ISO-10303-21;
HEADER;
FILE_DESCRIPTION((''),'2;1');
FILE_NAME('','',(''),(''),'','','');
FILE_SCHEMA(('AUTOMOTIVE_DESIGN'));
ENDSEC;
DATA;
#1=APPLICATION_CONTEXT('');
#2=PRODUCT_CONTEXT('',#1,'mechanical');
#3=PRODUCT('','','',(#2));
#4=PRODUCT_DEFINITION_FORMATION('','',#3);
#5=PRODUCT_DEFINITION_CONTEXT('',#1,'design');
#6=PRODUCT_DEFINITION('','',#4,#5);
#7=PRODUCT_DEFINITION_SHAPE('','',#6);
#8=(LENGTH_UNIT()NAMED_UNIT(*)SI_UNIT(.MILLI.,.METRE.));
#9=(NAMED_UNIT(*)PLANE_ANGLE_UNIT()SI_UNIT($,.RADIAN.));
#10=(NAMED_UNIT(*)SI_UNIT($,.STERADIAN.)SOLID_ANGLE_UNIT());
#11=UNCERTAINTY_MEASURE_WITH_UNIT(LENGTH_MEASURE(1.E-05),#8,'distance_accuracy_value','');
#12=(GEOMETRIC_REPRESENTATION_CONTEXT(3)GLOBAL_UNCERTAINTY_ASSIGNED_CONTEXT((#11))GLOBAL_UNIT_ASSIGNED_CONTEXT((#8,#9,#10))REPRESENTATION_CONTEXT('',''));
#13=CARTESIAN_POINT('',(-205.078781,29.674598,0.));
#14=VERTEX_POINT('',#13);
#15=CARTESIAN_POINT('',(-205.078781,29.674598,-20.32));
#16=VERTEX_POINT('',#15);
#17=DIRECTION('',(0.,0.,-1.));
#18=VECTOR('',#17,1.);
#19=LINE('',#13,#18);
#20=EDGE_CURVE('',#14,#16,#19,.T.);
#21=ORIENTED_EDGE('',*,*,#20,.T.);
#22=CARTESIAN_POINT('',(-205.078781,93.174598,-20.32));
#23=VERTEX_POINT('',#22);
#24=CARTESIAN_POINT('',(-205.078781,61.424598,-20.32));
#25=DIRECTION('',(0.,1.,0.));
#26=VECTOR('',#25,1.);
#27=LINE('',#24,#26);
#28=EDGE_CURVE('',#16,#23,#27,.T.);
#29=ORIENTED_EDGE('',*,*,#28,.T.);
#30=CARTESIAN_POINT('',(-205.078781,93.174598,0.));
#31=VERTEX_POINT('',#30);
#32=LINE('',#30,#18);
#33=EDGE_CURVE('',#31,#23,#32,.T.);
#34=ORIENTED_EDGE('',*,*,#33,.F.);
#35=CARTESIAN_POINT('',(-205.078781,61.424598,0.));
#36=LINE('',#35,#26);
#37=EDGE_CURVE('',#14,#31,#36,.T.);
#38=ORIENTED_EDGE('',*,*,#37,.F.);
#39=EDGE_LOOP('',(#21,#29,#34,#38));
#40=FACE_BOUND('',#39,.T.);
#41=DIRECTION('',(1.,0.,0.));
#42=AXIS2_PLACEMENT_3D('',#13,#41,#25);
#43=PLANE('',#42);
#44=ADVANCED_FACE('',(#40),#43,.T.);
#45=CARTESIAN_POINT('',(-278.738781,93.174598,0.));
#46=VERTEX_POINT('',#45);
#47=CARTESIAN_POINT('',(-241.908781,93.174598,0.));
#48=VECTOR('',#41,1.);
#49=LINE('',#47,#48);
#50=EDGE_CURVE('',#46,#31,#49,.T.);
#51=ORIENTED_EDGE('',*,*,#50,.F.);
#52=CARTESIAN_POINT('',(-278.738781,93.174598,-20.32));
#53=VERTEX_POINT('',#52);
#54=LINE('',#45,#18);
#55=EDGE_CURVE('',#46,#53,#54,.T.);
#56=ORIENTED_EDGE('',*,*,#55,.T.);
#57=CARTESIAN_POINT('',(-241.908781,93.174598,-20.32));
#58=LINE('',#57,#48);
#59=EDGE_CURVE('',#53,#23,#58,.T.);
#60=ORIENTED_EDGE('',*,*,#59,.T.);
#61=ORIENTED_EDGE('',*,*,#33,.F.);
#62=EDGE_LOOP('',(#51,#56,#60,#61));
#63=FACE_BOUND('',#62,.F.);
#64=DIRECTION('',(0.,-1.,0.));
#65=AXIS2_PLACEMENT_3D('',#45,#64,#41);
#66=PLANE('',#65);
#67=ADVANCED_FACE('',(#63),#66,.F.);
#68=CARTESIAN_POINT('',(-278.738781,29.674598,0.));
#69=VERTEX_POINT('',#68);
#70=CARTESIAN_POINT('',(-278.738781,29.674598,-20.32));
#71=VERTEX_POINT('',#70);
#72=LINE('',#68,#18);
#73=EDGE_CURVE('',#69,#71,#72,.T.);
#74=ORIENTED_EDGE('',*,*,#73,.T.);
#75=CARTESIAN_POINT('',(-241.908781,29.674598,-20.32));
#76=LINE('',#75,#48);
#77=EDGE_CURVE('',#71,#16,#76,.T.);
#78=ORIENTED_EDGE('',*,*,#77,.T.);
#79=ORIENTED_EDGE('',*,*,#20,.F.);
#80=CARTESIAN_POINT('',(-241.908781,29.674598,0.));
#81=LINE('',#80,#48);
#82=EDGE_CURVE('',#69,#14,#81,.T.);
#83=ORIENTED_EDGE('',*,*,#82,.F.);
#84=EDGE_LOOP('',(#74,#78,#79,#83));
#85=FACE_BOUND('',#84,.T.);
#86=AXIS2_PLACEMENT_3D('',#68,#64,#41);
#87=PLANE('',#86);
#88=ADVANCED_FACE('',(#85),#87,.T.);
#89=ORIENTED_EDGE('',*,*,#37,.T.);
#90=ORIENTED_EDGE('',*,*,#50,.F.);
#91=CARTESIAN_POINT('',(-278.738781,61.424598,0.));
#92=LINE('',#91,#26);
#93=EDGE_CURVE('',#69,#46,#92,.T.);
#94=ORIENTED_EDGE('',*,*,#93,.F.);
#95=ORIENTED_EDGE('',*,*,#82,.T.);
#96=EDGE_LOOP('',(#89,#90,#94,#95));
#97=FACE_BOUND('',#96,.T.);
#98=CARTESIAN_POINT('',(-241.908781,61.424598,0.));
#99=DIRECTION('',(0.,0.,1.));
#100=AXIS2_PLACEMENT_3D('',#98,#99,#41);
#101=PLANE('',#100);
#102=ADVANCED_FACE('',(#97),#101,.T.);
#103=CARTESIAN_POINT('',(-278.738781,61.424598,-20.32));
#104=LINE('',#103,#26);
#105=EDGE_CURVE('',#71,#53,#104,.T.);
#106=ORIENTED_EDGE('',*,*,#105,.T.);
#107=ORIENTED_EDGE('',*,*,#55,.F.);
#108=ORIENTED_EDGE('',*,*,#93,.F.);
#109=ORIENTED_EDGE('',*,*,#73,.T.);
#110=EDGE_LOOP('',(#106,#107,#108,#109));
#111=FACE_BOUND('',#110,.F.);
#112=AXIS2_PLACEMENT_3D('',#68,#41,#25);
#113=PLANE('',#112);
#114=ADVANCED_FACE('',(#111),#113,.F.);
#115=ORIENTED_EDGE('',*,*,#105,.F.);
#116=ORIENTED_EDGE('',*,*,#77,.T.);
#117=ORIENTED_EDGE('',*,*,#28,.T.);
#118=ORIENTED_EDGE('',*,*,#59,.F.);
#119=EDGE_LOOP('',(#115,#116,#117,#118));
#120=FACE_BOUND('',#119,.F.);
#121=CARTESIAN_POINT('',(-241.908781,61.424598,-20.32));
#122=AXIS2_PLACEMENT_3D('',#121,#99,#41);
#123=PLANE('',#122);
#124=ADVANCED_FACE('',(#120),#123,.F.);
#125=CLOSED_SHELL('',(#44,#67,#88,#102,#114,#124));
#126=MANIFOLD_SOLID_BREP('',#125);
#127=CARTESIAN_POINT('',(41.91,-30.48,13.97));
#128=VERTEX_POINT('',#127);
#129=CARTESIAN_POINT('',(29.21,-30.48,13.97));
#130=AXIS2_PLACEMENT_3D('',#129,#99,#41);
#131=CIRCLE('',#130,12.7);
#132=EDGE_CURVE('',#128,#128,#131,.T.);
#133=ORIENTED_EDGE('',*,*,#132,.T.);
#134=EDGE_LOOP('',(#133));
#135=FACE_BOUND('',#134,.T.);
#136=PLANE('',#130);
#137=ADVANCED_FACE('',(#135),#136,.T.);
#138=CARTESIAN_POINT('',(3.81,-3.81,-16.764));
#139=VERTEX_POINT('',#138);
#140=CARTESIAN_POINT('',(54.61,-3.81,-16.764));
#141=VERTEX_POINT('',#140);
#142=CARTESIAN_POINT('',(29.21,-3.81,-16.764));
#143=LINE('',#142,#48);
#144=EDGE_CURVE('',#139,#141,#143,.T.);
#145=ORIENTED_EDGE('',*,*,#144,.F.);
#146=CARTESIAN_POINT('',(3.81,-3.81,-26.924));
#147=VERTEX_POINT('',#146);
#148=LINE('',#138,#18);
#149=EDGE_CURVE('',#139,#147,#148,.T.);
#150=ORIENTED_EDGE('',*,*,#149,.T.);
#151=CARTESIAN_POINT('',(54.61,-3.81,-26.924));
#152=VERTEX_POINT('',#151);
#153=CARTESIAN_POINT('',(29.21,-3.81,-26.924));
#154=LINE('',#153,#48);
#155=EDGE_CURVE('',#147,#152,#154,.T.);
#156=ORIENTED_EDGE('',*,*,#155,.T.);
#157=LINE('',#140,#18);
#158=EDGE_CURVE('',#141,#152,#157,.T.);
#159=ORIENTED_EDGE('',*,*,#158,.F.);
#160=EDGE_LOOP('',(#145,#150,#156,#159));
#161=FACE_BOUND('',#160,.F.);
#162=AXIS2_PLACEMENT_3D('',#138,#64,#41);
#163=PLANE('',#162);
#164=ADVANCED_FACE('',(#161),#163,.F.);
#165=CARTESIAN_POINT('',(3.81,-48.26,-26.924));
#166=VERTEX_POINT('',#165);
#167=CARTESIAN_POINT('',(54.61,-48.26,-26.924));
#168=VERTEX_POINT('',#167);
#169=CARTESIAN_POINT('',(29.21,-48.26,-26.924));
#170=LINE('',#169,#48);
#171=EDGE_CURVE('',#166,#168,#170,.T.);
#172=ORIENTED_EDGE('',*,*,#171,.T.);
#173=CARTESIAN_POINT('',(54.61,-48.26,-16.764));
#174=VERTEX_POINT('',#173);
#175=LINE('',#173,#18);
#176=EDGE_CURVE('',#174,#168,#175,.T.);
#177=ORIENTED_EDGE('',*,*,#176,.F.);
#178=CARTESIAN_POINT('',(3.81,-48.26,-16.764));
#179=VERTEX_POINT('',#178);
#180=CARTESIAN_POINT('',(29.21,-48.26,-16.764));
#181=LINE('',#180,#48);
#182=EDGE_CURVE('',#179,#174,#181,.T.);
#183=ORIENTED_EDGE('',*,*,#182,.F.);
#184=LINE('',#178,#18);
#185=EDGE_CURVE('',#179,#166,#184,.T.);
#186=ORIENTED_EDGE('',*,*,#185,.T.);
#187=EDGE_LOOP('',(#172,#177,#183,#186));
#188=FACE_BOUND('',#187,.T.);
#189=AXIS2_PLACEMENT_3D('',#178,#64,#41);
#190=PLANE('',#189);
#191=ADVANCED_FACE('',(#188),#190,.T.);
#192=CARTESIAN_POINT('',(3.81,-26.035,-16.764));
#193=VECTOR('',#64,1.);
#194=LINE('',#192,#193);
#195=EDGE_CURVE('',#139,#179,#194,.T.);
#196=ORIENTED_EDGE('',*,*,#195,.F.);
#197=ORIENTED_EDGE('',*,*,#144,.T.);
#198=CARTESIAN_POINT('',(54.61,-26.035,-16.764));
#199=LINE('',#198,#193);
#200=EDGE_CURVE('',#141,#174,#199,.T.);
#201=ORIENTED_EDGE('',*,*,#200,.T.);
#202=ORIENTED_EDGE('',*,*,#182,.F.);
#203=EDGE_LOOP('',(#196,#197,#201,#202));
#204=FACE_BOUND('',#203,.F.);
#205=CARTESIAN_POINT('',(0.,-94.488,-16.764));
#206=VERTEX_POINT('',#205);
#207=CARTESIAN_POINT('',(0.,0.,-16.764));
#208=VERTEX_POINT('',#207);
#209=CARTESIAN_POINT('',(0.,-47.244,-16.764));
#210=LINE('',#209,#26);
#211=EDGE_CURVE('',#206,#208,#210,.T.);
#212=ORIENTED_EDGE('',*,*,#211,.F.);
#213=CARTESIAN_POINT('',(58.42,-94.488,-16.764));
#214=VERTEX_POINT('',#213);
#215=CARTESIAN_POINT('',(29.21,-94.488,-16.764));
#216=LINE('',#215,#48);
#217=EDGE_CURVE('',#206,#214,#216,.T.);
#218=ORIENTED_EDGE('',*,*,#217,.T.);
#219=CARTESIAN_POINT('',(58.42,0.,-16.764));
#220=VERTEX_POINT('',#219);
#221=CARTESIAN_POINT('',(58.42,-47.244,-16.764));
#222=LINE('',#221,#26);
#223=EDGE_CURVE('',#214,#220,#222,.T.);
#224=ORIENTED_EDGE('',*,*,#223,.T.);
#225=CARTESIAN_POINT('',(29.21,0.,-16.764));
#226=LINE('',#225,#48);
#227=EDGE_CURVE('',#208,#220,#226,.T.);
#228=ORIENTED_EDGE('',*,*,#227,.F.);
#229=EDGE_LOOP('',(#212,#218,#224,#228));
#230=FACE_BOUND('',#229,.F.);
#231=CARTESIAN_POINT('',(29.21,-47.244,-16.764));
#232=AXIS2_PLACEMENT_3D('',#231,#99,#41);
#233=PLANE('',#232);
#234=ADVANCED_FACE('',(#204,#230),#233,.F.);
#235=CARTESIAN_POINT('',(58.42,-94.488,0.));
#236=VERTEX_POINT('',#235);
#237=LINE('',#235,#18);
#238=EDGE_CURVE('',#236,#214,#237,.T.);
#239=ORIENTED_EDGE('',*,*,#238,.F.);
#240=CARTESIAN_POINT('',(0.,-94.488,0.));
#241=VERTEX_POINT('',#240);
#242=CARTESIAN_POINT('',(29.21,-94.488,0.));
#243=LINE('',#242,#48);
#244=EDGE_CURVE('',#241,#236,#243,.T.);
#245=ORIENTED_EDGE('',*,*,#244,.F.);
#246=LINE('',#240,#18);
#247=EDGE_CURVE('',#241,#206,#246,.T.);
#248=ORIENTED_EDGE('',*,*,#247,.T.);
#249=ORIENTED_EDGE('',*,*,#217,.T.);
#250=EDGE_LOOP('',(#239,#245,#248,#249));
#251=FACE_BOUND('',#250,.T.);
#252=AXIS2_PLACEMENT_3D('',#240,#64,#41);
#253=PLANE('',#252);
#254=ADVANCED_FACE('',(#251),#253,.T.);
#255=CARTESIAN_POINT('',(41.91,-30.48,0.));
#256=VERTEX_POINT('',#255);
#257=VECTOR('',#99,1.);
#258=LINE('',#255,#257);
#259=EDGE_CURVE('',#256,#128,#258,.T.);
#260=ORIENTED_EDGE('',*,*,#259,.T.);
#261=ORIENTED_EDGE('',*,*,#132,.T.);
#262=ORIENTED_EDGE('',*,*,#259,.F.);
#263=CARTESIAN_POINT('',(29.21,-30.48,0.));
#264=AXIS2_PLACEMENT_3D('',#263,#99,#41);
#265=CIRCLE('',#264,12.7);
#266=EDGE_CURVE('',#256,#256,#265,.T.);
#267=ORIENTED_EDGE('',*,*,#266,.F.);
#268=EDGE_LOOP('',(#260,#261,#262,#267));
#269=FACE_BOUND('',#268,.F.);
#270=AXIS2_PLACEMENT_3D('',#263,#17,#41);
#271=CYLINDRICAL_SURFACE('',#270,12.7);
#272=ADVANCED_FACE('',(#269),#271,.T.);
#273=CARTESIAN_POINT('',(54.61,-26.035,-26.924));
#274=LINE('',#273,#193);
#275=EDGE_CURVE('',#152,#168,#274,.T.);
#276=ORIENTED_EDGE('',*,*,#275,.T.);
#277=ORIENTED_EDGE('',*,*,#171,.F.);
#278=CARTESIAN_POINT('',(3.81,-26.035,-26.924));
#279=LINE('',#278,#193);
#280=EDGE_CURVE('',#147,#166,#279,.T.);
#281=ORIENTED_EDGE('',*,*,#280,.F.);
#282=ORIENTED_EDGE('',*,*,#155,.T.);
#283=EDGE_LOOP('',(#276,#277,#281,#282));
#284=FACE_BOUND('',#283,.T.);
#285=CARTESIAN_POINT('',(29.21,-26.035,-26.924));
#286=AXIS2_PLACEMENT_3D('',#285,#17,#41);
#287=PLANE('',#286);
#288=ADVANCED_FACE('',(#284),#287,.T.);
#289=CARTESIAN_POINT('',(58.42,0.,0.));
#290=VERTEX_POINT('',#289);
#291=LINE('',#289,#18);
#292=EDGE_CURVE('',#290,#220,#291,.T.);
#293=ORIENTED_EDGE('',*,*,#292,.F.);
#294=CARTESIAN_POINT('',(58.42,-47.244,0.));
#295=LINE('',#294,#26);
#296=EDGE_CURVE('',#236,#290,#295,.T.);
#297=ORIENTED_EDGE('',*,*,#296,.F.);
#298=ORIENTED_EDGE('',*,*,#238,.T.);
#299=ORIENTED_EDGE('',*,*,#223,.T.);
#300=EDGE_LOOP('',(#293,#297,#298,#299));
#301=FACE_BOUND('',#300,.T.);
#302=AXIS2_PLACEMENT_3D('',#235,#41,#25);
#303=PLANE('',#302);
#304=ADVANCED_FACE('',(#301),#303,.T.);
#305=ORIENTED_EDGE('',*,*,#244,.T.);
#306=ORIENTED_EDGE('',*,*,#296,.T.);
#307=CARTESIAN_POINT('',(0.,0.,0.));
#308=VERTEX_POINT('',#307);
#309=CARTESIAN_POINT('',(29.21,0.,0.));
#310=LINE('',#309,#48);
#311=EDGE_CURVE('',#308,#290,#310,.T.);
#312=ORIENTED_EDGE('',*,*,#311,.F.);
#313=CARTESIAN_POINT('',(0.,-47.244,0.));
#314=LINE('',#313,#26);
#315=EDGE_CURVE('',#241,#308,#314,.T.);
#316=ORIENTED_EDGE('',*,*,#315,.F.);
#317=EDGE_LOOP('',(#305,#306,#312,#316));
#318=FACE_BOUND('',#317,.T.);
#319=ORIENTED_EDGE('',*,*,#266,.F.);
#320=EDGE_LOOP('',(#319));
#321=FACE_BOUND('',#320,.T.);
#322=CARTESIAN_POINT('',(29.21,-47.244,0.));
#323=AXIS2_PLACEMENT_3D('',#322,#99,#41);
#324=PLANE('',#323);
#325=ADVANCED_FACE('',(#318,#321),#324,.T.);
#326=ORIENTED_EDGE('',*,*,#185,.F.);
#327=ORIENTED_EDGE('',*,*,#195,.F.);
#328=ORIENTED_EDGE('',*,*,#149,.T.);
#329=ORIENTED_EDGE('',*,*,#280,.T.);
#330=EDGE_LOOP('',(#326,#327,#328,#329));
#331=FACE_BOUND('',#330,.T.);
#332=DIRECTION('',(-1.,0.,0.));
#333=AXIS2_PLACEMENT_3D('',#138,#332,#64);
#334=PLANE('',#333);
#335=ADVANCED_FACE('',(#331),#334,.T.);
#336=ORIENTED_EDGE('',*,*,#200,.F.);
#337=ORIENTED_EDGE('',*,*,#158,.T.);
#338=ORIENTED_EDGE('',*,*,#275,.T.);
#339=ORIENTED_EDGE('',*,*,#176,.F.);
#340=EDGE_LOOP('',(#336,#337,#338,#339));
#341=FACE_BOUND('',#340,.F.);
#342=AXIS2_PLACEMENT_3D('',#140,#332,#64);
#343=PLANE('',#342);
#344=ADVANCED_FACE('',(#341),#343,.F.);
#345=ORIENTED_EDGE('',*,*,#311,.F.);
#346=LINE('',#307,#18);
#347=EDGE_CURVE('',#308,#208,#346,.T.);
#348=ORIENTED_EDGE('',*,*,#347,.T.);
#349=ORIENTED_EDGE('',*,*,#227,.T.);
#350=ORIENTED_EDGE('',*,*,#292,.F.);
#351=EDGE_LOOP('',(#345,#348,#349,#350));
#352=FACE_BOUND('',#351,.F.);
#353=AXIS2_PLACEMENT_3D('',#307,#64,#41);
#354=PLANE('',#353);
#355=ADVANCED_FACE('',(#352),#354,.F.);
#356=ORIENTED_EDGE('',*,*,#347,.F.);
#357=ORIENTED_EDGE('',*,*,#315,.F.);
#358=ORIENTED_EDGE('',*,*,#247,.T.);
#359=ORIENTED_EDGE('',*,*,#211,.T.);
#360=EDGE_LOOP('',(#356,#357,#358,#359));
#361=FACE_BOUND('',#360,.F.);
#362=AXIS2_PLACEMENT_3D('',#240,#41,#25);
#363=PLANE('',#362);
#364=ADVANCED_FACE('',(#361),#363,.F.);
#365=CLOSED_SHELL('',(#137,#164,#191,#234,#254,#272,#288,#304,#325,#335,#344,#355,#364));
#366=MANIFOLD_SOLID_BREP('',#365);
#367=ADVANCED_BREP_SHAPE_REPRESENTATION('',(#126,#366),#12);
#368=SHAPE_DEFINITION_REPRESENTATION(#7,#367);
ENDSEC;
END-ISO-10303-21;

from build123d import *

# Parameters (mm, degrees)
F0_W     = 58.42
F0_H     = 94.488
F0_R     = 12.7
F1_DEPTH = 16.764
F2_DEPTH = 13.97
F3_W     = 50.8
F3_H     = 44.45
F4_DEPTH = 10.16
F5_W     = 73.66
F5_H     = 63.5
F6_DEPTH = 20.32


with BuildPart() as f1:
    # F0 (on Top) → F1 (new body)
    with BuildSketch(Plane.XY):
        with Locations((29.21, -47.244)):
            Rectangle(F0_W, F0_H)
        with Locations((29.21, -30.48)):
            Circle(F0_R, mode=Mode.SUBTRACT)
        with Locations((29.21, -30.48)):
            Circle(F0_R)
    extrude(amount=-F1_DEPTH)

    # F0 (on Top) → F2 (join)
    with BuildSketch(Plane.XY):
        with Locations((29.21, -30.48)):
            Circle(F0_R)
    extrude(amount=F2_DEPTH)

    # F3 (on face) → F4 (join)
    with BuildSketch(Plane(origin=(0, 0, -16.764), x_dir=(1, 0, 0), z_dir=(0, 0, -1))):
        with Locations((29.21, 26.035)):
            Rectangle(F3_W, F3_H)
    extrude(amount=F4_DEPTH)


with BuildPart() as f6:
    # F5 (on Top) → F6 (new body)
    with BuildSketch(Plane.XY):
        with Locations((-241.9087812304, 61.4245978671)):
            Rectangle(F5_W, F5_H)
    extrude(amount=-F6_DEPTH)


solid = Compound([f1.part, f6.part])
